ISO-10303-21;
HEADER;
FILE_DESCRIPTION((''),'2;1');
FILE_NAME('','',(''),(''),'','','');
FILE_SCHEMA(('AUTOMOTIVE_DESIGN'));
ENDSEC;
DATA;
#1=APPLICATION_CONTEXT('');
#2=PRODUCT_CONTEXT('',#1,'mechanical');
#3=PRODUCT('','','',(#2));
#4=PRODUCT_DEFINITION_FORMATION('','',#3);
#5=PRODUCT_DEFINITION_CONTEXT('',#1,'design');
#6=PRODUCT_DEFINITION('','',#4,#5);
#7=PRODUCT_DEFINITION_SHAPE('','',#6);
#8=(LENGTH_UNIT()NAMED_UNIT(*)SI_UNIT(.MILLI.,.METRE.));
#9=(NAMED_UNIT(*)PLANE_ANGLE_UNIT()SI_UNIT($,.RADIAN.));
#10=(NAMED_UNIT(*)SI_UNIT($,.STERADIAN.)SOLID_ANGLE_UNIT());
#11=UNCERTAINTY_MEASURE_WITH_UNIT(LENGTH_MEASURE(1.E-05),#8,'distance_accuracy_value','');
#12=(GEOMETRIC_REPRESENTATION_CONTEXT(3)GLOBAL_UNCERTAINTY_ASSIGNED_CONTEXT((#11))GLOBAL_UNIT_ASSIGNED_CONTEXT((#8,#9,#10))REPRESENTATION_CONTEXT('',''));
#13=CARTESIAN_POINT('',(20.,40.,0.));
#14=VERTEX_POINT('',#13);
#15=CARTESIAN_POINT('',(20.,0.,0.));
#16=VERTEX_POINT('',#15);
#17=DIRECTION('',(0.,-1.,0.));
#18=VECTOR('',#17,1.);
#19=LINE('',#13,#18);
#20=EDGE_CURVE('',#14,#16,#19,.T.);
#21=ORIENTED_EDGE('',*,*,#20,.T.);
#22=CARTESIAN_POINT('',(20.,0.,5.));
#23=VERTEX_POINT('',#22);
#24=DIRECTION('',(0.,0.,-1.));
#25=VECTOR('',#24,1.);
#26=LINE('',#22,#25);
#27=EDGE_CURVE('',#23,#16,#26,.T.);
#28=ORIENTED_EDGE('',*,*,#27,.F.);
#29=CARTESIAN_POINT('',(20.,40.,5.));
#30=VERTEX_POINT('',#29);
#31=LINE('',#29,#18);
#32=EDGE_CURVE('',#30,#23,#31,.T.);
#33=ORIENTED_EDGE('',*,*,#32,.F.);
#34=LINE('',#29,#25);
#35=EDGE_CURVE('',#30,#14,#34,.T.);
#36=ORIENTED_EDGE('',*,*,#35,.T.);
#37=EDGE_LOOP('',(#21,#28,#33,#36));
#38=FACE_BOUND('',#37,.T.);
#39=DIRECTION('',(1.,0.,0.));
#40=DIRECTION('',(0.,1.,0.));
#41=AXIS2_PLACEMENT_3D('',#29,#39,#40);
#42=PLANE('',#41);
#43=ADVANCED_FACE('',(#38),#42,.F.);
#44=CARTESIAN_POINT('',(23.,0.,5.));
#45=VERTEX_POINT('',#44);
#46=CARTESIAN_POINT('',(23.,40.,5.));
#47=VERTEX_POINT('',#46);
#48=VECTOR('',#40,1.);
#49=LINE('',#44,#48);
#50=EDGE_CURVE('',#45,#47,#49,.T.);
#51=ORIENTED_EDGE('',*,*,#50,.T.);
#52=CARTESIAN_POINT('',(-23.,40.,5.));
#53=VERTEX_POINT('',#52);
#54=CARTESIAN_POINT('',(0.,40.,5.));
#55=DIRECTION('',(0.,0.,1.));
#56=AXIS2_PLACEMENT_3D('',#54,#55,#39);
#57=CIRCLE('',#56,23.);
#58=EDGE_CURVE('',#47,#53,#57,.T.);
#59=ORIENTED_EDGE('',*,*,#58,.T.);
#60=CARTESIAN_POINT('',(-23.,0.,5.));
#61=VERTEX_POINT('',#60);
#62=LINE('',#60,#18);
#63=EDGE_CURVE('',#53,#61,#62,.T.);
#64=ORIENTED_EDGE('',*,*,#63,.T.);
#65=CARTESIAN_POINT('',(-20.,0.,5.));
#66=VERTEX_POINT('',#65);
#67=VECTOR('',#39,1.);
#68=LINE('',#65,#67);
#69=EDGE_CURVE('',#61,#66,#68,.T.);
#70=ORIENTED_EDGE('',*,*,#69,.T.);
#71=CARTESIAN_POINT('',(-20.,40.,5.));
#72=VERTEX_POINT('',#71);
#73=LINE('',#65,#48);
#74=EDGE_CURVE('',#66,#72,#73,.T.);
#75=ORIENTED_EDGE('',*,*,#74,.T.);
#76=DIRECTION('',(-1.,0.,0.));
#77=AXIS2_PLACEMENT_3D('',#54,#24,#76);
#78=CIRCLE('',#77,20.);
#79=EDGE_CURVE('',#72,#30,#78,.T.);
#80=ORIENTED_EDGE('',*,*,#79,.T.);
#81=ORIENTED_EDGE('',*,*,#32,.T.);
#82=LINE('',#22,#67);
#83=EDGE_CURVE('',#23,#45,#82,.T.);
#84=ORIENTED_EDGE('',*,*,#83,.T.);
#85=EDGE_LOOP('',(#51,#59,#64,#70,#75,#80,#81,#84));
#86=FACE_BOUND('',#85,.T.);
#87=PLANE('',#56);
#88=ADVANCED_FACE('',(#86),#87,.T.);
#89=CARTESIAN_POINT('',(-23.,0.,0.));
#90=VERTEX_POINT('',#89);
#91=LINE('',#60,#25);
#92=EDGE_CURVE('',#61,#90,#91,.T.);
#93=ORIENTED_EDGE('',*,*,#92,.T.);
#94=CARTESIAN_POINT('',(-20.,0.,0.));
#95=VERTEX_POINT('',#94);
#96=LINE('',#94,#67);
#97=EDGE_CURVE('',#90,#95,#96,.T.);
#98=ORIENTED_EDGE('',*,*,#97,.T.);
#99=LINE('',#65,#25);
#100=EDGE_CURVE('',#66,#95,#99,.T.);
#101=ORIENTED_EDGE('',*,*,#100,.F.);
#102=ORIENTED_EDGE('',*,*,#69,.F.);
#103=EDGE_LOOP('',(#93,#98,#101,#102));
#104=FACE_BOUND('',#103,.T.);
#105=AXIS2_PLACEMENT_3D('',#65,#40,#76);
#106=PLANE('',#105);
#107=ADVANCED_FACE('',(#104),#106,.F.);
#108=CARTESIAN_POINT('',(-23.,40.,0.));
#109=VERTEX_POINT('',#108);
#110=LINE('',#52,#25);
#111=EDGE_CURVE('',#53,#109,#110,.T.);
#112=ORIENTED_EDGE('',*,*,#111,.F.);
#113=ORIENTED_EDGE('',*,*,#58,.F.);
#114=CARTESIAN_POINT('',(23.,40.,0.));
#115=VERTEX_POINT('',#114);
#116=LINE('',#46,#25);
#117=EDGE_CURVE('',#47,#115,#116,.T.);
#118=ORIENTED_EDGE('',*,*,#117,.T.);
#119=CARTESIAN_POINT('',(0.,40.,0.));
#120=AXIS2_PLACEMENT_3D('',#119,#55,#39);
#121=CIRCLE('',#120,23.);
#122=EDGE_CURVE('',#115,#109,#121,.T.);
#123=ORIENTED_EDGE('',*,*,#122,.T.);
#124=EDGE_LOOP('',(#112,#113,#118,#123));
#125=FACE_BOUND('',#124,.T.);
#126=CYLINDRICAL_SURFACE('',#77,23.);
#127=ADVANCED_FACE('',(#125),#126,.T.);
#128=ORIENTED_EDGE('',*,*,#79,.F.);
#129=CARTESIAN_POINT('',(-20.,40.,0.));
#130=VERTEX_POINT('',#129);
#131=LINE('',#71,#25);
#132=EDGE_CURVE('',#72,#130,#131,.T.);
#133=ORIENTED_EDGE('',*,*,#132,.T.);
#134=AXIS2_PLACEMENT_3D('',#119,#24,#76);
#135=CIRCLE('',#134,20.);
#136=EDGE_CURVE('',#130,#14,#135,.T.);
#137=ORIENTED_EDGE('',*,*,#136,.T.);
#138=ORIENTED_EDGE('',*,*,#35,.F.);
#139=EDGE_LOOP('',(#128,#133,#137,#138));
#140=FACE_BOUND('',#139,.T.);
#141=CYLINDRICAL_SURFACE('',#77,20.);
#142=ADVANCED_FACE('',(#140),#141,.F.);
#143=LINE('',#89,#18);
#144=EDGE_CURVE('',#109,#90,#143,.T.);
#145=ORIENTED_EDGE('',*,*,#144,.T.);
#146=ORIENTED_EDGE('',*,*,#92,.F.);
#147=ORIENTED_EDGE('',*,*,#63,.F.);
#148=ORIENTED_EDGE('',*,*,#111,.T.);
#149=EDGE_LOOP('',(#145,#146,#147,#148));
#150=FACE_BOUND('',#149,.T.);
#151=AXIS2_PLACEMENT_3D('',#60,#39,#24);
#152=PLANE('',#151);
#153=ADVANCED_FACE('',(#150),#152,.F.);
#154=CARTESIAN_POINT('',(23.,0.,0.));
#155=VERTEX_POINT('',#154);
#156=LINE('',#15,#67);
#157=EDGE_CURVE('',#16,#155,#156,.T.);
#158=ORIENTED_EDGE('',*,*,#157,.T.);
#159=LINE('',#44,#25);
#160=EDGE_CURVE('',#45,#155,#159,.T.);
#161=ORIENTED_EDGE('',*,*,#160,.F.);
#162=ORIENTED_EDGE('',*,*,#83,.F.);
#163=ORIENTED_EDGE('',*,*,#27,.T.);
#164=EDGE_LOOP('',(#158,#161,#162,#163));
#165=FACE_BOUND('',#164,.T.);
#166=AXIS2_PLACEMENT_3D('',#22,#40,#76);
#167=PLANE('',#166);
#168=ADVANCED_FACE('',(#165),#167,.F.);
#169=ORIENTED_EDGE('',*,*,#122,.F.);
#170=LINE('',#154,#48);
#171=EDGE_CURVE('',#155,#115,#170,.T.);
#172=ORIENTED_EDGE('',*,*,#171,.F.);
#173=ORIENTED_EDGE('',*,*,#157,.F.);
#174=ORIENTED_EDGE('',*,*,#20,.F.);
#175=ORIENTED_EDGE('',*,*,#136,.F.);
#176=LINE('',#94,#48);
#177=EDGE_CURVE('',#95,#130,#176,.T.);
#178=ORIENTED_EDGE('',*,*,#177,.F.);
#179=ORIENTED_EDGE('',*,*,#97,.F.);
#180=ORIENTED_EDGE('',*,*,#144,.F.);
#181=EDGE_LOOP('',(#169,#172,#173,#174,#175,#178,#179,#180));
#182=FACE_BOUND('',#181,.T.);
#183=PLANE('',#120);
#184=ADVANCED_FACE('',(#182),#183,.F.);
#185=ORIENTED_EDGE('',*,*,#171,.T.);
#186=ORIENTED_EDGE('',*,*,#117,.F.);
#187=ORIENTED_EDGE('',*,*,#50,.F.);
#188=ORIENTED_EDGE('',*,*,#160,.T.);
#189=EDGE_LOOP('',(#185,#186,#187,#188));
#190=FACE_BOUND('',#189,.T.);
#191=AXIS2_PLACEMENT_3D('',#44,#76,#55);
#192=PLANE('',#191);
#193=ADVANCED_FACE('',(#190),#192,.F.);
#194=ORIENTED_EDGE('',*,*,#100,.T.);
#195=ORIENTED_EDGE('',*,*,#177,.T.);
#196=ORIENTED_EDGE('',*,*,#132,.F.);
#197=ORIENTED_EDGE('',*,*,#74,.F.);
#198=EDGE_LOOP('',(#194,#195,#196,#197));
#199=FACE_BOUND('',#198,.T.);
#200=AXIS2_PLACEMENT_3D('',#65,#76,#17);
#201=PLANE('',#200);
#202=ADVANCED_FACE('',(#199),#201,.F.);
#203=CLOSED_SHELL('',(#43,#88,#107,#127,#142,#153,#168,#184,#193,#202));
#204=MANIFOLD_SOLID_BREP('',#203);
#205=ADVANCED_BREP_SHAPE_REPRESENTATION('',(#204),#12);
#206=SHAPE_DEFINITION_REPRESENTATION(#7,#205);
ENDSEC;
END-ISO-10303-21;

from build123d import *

# Parameters (mm, degrees)
BOSS_EXTRU_1_DEPTH = 5


with BuildPart() as part:
    # Esquisse1 → Boss.-Extru.1 (new body)
    with BuildSketch(Plane.XY):
        with BuildLine():
            Line((-20, 0), (-20, 40))
            ThreePointArc((-20, 40), (0, 60), (20, 40))
            Line((20, 40), (20, 0))
            Line((20, 0), (23, 0))
            Line((23, 0), (23, 40))
            ThreePointArc((23, 40), (0, 63), (-23, 40))
            Line((-23, 40), (-23, 0))
            Line((-23, 0), (-20, 0))
        make_face()
    extrude(amount=BOSS_EXTRU_1_DEPTH)


solid = part.part
